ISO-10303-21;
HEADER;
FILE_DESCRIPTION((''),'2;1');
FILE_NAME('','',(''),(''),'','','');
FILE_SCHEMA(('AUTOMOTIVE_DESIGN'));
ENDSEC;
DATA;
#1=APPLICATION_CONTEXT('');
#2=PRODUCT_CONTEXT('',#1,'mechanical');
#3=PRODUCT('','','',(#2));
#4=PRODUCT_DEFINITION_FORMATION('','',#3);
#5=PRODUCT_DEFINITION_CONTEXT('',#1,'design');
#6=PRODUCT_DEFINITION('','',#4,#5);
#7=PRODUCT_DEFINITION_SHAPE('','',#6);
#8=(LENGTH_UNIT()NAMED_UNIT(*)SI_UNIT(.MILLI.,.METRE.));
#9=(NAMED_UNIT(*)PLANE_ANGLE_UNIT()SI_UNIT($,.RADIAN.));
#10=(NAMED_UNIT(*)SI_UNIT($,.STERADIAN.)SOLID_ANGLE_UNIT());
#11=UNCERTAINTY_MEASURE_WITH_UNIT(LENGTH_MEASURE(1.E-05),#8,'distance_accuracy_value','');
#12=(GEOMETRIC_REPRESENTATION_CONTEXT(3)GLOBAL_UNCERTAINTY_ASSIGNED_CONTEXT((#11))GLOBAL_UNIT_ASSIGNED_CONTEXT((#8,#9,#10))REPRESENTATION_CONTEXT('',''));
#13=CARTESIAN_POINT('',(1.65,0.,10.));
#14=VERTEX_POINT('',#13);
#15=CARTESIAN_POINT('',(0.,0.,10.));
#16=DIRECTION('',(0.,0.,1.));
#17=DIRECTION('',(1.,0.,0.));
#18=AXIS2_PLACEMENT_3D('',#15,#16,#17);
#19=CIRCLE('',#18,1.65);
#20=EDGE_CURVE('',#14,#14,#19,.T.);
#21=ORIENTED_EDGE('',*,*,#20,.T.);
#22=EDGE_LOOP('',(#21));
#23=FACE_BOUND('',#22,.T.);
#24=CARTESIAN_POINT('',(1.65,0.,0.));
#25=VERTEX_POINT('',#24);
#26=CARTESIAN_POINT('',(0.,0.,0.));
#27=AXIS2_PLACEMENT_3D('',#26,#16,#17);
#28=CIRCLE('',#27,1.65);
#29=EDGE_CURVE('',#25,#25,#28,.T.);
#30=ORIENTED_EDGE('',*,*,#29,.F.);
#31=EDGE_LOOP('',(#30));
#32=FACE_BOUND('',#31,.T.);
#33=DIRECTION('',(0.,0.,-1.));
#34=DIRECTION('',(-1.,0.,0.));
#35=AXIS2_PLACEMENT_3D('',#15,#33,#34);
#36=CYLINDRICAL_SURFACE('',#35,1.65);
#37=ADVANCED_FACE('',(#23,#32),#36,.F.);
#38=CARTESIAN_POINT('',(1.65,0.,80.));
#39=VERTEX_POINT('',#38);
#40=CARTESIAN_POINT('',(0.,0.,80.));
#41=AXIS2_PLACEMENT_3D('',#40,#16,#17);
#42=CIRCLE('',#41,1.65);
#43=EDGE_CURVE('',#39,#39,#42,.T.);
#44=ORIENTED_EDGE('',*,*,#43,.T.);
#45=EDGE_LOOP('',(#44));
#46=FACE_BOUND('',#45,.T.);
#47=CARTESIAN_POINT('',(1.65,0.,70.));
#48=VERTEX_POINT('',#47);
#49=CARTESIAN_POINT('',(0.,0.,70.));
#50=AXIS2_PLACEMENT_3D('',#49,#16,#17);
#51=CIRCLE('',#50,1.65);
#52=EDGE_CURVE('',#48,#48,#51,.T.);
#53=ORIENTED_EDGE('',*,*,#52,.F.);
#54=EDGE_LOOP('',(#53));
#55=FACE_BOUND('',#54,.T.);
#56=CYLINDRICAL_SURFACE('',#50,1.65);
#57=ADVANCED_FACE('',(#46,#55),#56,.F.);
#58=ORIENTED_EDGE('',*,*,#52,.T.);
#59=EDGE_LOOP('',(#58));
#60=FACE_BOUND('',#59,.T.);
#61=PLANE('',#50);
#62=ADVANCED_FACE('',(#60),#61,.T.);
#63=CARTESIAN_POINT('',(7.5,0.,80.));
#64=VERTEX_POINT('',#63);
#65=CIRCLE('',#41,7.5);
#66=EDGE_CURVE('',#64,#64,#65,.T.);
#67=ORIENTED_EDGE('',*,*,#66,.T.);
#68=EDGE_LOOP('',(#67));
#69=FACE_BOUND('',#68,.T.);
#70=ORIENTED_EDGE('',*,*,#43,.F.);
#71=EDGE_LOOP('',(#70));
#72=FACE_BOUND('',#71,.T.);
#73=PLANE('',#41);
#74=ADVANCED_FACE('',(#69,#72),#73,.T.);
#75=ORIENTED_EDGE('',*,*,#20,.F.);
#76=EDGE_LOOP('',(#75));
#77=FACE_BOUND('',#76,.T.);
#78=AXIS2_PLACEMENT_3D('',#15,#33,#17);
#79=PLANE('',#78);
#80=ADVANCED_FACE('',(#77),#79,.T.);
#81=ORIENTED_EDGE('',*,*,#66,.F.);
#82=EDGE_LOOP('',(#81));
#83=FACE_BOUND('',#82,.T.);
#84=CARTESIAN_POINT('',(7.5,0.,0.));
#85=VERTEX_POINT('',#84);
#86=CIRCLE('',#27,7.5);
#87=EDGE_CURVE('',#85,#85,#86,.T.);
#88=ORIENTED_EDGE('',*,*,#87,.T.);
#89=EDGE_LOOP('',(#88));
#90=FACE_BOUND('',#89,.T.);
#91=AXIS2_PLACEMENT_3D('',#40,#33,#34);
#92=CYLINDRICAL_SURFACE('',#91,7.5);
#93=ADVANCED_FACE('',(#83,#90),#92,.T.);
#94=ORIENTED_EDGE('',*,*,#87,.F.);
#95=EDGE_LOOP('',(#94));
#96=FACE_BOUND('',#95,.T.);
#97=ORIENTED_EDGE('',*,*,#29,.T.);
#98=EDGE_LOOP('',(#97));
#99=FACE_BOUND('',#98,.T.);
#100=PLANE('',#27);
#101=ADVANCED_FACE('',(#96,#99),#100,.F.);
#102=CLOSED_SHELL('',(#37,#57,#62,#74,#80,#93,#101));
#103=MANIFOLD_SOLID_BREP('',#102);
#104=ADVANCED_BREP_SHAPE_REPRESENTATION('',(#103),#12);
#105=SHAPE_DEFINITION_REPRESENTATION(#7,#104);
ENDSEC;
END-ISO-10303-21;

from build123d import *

# Parameters (mm, degrees)
SKETCH_1_R          = 7.5
EXTRUDE_1_DEPTH     = 80
SKETCH_2_R          = 1.65
CUT_EXTRUDE_1_DEPTH = 10


with BuildPart() as part:
    # ｽｹｯﾁ1 → ﾎﾞｽ - 押し出し1 (new body)
    with BuildSketch(Plane.XY):
        Circle(SKETCH_1_R)
    extrude(amount=EXTRUDE_1_DEPTH)

    # ｽｹｯﾁ2 → ｶｯﾄ - 押し出し1 (cut)
    with BuildSketch(Plane.XY.offset(80)):
        Circle(SKETCH_2_R)
    cut_extrude_1 = extrude(amount=-CUT_EXTRUDE_1_DEPTH, mode=Mode.SUBTRACT)

    # ﾐﾗｰ1: ｶｯﾄ - 押し出し1 across plane
    add(cut_extrude_1.mirror(Plane.XY.offset(40)), mode=Mode.SUBTRACT)


solid = part.part
